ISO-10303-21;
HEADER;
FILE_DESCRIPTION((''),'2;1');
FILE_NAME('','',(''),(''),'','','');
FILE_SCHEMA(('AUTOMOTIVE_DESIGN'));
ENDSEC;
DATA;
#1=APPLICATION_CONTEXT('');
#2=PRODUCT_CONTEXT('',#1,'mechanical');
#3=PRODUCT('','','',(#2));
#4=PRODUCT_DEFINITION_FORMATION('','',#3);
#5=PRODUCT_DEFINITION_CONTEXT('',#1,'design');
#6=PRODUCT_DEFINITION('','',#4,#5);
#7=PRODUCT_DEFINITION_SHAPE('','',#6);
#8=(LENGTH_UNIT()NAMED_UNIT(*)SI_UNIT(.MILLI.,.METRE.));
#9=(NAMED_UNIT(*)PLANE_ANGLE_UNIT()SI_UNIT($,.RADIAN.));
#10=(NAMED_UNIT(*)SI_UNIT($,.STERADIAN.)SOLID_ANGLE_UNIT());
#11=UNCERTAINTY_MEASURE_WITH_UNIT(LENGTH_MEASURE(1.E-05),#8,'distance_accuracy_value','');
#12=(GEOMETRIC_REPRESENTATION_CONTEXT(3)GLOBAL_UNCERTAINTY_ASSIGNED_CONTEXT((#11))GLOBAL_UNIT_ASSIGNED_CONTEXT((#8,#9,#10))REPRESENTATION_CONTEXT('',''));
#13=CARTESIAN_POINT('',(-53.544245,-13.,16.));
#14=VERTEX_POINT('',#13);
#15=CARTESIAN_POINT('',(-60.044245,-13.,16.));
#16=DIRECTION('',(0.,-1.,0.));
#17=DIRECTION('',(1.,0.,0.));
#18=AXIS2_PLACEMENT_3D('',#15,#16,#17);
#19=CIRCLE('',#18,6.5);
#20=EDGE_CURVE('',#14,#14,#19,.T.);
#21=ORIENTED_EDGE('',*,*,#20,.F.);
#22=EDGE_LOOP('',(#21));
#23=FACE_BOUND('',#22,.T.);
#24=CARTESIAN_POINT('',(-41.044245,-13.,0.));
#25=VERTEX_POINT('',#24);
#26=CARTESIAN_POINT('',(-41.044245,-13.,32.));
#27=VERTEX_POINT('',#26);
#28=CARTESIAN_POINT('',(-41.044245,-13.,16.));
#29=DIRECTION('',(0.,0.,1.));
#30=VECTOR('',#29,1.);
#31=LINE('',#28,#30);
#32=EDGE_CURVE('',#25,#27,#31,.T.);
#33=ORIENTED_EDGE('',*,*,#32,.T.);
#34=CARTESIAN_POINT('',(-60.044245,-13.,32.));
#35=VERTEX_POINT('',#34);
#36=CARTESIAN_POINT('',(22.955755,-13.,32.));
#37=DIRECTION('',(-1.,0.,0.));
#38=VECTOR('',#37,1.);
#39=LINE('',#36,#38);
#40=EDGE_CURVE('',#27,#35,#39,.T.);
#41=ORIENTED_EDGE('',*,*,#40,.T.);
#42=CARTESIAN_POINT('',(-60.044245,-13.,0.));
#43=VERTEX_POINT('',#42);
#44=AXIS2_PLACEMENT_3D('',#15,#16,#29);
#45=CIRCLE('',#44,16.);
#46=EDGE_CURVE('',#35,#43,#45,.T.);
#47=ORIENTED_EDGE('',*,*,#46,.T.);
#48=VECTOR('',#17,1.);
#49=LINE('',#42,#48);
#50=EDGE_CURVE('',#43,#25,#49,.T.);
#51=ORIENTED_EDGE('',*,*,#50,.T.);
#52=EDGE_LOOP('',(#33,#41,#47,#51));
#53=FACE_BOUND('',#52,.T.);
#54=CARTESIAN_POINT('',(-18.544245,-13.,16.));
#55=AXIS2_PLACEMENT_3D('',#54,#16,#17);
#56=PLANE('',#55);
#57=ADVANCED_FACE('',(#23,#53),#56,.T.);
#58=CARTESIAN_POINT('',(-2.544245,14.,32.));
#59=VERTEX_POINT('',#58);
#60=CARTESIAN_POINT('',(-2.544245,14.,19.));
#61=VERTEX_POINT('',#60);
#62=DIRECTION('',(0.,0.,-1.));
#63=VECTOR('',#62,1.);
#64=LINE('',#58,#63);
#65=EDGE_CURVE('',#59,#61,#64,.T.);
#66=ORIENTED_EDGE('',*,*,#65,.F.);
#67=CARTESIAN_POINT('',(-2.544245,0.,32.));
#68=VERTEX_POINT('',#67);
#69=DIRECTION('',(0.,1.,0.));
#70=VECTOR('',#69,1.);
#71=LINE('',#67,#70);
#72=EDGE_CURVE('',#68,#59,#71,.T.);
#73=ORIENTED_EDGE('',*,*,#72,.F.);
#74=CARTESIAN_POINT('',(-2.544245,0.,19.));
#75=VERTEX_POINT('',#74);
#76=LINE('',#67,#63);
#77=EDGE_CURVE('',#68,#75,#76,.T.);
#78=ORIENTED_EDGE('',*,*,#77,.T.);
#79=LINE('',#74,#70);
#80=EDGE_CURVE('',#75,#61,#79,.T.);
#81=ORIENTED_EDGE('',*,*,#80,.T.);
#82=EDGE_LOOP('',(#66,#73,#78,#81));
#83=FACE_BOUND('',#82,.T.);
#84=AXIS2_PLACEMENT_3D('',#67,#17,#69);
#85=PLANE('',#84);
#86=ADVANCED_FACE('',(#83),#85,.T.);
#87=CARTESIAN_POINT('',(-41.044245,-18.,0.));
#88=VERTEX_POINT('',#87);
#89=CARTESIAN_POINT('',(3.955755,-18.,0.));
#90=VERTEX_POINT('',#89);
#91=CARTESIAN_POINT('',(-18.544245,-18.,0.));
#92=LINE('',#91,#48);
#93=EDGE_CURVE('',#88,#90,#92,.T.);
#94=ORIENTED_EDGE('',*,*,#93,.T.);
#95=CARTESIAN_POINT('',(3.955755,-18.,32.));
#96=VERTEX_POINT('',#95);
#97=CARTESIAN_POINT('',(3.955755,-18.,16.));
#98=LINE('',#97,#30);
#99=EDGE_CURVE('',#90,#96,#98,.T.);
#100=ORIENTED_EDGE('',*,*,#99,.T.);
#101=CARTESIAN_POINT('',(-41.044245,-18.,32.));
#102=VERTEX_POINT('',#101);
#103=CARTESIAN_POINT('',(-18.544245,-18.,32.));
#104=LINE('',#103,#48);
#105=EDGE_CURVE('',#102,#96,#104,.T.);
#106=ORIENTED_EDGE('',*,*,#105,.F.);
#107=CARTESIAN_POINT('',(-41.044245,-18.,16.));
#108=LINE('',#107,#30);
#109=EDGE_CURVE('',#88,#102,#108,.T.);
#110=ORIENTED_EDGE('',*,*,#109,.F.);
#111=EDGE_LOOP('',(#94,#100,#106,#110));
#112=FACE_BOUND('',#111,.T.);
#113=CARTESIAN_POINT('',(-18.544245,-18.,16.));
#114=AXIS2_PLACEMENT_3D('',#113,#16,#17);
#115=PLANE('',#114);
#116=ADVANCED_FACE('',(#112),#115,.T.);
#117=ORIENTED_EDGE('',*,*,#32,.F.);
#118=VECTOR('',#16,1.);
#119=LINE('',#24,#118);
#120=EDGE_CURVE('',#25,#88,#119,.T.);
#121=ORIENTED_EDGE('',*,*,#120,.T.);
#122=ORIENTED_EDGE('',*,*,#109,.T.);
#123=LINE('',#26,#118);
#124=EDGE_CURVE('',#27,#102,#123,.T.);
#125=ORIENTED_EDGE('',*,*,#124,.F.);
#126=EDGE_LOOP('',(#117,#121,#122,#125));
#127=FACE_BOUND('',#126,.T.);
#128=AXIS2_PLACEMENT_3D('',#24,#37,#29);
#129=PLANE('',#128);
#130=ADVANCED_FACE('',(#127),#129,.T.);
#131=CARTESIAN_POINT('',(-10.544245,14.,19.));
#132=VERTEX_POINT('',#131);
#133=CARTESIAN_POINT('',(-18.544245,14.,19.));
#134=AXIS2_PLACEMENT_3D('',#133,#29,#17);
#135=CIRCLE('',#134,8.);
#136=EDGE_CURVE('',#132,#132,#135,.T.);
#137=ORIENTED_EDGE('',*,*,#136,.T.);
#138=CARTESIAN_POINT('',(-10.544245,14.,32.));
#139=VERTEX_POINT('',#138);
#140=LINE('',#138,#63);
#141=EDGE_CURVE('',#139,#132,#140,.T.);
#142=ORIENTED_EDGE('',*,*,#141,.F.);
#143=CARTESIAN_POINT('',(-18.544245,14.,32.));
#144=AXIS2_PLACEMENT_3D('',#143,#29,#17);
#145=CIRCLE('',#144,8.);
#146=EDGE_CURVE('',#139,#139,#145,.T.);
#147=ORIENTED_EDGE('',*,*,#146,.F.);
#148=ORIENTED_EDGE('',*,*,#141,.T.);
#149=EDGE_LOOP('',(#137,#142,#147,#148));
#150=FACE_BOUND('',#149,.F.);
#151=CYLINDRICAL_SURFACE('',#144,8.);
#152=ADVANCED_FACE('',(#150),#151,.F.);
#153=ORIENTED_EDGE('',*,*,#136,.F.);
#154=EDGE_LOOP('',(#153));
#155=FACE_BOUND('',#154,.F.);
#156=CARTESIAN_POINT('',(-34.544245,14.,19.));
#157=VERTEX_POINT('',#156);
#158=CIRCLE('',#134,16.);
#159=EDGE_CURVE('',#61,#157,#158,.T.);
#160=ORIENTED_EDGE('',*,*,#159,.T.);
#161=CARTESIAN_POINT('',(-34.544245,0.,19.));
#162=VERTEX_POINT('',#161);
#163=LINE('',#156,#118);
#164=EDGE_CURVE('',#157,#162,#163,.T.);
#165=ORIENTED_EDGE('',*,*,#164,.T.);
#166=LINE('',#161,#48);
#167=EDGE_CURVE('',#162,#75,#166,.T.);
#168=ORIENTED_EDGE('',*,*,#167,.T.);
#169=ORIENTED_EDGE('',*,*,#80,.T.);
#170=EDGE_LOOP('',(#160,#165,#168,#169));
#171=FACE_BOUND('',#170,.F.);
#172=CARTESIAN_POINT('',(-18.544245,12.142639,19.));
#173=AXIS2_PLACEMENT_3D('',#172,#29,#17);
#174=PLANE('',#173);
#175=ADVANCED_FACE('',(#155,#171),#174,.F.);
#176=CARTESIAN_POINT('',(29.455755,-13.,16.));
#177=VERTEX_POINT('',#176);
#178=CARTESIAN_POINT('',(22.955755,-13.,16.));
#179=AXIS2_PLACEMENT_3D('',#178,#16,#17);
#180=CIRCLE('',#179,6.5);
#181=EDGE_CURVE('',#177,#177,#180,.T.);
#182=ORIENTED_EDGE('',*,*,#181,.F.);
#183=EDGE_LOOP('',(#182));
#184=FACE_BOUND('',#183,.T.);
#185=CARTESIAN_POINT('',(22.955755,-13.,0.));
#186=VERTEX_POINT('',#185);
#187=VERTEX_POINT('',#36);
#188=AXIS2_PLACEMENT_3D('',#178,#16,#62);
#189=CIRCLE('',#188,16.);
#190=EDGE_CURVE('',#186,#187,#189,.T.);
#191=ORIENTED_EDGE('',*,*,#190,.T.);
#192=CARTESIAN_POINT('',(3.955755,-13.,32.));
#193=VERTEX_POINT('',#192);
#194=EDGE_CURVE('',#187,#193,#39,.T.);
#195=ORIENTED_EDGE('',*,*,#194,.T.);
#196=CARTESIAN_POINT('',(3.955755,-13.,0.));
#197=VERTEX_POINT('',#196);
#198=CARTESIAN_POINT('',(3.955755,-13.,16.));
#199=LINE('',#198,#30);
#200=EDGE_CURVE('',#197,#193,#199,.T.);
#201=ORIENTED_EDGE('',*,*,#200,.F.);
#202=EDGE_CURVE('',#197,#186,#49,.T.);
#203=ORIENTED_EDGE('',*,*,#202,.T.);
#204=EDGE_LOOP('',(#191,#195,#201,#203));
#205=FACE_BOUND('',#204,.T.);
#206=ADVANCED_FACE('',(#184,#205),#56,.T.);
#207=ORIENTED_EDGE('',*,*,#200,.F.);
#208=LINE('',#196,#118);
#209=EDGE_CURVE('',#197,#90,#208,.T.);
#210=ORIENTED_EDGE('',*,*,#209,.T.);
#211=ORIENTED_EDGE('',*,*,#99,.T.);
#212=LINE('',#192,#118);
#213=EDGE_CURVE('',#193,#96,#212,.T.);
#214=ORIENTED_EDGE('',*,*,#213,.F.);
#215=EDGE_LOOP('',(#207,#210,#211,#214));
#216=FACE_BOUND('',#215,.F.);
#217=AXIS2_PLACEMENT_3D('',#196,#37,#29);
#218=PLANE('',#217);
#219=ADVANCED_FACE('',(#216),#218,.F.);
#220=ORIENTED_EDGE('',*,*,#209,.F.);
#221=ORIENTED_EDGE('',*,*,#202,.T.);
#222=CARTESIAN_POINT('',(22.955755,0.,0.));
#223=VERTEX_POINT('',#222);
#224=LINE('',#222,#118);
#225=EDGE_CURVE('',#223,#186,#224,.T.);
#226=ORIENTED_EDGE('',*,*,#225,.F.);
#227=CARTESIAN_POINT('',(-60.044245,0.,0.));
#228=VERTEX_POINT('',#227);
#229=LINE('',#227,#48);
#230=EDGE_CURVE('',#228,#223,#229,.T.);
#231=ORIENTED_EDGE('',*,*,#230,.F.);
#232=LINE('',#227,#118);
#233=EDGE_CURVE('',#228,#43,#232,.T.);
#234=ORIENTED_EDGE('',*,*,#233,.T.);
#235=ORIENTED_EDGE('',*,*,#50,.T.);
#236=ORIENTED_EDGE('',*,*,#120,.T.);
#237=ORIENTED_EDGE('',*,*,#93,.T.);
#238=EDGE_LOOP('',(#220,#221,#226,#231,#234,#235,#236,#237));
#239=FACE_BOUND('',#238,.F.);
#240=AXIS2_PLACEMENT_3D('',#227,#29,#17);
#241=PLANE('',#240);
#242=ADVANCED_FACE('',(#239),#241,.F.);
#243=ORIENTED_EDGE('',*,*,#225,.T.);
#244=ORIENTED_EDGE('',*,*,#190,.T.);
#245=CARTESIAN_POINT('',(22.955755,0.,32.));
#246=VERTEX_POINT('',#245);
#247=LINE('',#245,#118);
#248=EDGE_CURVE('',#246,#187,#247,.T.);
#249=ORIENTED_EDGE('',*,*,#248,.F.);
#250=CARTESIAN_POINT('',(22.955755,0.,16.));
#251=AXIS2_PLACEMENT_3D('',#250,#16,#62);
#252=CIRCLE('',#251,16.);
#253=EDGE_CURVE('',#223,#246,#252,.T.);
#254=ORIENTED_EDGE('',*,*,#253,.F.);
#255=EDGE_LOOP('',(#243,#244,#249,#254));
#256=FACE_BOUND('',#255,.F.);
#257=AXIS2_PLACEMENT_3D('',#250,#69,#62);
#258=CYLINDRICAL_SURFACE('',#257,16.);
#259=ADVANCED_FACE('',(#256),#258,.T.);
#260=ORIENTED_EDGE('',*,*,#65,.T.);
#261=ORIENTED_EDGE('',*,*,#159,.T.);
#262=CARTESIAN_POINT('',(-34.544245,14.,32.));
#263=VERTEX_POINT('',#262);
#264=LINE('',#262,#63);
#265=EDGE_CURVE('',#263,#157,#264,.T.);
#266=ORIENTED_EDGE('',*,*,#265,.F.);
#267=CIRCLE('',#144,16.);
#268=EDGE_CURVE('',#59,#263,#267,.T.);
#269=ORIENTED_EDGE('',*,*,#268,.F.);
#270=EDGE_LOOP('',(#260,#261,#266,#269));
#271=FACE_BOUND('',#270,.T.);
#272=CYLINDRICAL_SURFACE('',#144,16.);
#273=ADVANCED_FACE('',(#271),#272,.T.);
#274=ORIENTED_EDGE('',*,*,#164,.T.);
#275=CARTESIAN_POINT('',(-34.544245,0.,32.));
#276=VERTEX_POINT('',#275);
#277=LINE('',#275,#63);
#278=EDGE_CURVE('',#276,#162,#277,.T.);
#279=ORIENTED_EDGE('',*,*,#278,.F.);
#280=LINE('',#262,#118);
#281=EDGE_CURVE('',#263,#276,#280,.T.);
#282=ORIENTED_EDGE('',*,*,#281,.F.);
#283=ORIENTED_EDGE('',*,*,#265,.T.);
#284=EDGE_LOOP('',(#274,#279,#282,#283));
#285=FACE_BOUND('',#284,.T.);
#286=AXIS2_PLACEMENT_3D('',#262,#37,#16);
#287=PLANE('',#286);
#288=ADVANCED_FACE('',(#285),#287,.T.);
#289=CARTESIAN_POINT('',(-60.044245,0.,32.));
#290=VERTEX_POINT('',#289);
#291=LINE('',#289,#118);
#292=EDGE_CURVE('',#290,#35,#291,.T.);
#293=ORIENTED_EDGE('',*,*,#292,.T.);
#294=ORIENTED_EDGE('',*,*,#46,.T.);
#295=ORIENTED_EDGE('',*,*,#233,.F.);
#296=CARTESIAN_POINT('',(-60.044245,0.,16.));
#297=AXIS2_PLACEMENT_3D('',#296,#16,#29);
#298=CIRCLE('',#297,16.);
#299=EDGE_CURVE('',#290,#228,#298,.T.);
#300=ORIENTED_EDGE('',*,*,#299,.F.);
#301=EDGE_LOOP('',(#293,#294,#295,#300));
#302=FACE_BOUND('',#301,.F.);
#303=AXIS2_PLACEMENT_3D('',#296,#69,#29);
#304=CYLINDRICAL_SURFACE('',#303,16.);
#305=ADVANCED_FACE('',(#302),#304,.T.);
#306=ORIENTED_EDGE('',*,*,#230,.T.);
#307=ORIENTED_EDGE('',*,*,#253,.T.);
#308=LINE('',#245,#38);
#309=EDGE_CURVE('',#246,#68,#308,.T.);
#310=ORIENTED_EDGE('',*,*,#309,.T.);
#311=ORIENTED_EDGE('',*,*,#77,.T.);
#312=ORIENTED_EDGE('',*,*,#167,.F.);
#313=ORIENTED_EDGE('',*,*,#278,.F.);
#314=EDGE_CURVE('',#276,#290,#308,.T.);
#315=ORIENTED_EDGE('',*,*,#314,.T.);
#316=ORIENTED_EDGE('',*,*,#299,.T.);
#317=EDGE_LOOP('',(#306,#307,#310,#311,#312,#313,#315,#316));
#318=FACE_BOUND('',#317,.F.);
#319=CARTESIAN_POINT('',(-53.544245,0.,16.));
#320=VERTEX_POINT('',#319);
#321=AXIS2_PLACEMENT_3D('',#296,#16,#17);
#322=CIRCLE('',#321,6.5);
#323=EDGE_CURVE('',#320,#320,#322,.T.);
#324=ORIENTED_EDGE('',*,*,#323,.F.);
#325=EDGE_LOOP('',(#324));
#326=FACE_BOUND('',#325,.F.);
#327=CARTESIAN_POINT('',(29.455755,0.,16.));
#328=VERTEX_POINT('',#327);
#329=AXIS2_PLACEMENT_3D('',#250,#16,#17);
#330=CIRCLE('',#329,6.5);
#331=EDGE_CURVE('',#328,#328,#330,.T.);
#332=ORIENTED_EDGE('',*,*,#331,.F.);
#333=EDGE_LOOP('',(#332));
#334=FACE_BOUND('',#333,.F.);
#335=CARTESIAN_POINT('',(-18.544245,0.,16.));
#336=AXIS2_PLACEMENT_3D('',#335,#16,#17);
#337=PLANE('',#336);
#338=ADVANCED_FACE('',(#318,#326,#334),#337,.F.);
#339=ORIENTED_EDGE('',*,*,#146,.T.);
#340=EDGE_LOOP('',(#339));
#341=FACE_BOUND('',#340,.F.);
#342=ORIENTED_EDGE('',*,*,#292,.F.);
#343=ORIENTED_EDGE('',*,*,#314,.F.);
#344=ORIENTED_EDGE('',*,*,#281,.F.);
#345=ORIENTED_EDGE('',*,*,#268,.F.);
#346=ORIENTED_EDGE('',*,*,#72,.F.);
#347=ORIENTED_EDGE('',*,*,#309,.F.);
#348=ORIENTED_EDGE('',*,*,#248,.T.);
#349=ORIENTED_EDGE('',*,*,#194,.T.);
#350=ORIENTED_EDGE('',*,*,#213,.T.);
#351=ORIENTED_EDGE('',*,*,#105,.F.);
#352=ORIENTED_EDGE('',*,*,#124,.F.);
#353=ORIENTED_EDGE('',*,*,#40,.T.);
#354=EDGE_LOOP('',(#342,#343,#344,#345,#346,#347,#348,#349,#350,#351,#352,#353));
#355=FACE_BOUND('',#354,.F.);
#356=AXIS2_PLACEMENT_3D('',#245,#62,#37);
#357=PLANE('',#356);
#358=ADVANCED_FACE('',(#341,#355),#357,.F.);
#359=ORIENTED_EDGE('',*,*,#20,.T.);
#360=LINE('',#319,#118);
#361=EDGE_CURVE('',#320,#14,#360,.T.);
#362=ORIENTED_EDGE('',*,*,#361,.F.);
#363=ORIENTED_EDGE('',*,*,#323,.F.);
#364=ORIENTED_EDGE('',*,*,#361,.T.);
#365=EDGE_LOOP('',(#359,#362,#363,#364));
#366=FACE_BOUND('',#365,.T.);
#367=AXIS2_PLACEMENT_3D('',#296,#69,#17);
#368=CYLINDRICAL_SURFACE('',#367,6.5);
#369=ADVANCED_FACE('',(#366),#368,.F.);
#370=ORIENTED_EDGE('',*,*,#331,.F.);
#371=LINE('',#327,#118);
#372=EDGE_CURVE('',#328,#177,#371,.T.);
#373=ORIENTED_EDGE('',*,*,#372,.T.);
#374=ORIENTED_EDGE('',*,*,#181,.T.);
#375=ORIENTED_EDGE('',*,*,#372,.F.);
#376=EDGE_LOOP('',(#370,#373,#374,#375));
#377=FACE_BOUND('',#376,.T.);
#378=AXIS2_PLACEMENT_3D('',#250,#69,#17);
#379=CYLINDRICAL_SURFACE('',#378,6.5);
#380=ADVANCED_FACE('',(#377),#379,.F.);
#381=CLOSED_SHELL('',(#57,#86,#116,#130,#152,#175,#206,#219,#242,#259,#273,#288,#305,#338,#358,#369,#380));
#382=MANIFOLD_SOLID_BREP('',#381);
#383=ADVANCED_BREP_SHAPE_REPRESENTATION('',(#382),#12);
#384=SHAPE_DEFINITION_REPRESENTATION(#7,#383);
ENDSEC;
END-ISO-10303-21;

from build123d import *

# Parameters (mm, degrees)
F0_R     = 6.5
F1_DEPTH = 13
F2_W     = 45
F2_H     = 32
F3_DEPTH = 5
F4_R     = 8
F5_DEPTH = 13


with BuildPart() as f1:
    # F0 (on Front) → F1 (new body)
    with BuildSketch(Plane.XZ):
        with BuildLine():
            ThreePointArc((-60.0442450565, 32), (-76.0442450565, 16), (-60.0442450565, 0))
            Line((-60.0442450565, 0), (22.9557549435, 0))
            ThreePointArc((22.9557549435, 0), (38.9557549435, 16), (22.9557549435, 32))
            Line((22.9557549435, 32), (-60.0442450565, 32))
        make_face()
        with Locations((-60.0442450565, 16)):
            Circle(F0_R, mode=Mode.SUBTRACT)
        with Locations((22.9557549435, 16)):
            Circle(F0_R, mode=Mode.SUBTRACT)
    extrude(amount=F1_DEPTH)

    # F2 (on face) → F3 (join)
    with BuildSketch(Plane.XZ.offset(13)):
        with Locations((-18.5442450565, 16)):
            Rectangle(F2_W, F2_H)
    extrude(amount=F3_DEPTH)

    # F4 (on face) → F5 (join)
    with BuildSketch(Plane.XY.offset(32)):
        with BuildLine():
            Line((-34.5442450565, 14), (-34.5442450565, 0))
            Line((-34.5442450565, 0), (-2.5442450565, 0))
            Line((-2.5442450565, 0), (-2.5442450565, 14))
            ThreePointArc((-2.5442450565, 14), (-18.5442450565, 30), (-34.5442450565, 14))
        make_face()
        with Locations((-18.5442450565, 14)):
            Circle(F4_R, mode=Mode.SUBTRACT)
    extrude(amount=-F5_DEPTH)


solid = f1.part
